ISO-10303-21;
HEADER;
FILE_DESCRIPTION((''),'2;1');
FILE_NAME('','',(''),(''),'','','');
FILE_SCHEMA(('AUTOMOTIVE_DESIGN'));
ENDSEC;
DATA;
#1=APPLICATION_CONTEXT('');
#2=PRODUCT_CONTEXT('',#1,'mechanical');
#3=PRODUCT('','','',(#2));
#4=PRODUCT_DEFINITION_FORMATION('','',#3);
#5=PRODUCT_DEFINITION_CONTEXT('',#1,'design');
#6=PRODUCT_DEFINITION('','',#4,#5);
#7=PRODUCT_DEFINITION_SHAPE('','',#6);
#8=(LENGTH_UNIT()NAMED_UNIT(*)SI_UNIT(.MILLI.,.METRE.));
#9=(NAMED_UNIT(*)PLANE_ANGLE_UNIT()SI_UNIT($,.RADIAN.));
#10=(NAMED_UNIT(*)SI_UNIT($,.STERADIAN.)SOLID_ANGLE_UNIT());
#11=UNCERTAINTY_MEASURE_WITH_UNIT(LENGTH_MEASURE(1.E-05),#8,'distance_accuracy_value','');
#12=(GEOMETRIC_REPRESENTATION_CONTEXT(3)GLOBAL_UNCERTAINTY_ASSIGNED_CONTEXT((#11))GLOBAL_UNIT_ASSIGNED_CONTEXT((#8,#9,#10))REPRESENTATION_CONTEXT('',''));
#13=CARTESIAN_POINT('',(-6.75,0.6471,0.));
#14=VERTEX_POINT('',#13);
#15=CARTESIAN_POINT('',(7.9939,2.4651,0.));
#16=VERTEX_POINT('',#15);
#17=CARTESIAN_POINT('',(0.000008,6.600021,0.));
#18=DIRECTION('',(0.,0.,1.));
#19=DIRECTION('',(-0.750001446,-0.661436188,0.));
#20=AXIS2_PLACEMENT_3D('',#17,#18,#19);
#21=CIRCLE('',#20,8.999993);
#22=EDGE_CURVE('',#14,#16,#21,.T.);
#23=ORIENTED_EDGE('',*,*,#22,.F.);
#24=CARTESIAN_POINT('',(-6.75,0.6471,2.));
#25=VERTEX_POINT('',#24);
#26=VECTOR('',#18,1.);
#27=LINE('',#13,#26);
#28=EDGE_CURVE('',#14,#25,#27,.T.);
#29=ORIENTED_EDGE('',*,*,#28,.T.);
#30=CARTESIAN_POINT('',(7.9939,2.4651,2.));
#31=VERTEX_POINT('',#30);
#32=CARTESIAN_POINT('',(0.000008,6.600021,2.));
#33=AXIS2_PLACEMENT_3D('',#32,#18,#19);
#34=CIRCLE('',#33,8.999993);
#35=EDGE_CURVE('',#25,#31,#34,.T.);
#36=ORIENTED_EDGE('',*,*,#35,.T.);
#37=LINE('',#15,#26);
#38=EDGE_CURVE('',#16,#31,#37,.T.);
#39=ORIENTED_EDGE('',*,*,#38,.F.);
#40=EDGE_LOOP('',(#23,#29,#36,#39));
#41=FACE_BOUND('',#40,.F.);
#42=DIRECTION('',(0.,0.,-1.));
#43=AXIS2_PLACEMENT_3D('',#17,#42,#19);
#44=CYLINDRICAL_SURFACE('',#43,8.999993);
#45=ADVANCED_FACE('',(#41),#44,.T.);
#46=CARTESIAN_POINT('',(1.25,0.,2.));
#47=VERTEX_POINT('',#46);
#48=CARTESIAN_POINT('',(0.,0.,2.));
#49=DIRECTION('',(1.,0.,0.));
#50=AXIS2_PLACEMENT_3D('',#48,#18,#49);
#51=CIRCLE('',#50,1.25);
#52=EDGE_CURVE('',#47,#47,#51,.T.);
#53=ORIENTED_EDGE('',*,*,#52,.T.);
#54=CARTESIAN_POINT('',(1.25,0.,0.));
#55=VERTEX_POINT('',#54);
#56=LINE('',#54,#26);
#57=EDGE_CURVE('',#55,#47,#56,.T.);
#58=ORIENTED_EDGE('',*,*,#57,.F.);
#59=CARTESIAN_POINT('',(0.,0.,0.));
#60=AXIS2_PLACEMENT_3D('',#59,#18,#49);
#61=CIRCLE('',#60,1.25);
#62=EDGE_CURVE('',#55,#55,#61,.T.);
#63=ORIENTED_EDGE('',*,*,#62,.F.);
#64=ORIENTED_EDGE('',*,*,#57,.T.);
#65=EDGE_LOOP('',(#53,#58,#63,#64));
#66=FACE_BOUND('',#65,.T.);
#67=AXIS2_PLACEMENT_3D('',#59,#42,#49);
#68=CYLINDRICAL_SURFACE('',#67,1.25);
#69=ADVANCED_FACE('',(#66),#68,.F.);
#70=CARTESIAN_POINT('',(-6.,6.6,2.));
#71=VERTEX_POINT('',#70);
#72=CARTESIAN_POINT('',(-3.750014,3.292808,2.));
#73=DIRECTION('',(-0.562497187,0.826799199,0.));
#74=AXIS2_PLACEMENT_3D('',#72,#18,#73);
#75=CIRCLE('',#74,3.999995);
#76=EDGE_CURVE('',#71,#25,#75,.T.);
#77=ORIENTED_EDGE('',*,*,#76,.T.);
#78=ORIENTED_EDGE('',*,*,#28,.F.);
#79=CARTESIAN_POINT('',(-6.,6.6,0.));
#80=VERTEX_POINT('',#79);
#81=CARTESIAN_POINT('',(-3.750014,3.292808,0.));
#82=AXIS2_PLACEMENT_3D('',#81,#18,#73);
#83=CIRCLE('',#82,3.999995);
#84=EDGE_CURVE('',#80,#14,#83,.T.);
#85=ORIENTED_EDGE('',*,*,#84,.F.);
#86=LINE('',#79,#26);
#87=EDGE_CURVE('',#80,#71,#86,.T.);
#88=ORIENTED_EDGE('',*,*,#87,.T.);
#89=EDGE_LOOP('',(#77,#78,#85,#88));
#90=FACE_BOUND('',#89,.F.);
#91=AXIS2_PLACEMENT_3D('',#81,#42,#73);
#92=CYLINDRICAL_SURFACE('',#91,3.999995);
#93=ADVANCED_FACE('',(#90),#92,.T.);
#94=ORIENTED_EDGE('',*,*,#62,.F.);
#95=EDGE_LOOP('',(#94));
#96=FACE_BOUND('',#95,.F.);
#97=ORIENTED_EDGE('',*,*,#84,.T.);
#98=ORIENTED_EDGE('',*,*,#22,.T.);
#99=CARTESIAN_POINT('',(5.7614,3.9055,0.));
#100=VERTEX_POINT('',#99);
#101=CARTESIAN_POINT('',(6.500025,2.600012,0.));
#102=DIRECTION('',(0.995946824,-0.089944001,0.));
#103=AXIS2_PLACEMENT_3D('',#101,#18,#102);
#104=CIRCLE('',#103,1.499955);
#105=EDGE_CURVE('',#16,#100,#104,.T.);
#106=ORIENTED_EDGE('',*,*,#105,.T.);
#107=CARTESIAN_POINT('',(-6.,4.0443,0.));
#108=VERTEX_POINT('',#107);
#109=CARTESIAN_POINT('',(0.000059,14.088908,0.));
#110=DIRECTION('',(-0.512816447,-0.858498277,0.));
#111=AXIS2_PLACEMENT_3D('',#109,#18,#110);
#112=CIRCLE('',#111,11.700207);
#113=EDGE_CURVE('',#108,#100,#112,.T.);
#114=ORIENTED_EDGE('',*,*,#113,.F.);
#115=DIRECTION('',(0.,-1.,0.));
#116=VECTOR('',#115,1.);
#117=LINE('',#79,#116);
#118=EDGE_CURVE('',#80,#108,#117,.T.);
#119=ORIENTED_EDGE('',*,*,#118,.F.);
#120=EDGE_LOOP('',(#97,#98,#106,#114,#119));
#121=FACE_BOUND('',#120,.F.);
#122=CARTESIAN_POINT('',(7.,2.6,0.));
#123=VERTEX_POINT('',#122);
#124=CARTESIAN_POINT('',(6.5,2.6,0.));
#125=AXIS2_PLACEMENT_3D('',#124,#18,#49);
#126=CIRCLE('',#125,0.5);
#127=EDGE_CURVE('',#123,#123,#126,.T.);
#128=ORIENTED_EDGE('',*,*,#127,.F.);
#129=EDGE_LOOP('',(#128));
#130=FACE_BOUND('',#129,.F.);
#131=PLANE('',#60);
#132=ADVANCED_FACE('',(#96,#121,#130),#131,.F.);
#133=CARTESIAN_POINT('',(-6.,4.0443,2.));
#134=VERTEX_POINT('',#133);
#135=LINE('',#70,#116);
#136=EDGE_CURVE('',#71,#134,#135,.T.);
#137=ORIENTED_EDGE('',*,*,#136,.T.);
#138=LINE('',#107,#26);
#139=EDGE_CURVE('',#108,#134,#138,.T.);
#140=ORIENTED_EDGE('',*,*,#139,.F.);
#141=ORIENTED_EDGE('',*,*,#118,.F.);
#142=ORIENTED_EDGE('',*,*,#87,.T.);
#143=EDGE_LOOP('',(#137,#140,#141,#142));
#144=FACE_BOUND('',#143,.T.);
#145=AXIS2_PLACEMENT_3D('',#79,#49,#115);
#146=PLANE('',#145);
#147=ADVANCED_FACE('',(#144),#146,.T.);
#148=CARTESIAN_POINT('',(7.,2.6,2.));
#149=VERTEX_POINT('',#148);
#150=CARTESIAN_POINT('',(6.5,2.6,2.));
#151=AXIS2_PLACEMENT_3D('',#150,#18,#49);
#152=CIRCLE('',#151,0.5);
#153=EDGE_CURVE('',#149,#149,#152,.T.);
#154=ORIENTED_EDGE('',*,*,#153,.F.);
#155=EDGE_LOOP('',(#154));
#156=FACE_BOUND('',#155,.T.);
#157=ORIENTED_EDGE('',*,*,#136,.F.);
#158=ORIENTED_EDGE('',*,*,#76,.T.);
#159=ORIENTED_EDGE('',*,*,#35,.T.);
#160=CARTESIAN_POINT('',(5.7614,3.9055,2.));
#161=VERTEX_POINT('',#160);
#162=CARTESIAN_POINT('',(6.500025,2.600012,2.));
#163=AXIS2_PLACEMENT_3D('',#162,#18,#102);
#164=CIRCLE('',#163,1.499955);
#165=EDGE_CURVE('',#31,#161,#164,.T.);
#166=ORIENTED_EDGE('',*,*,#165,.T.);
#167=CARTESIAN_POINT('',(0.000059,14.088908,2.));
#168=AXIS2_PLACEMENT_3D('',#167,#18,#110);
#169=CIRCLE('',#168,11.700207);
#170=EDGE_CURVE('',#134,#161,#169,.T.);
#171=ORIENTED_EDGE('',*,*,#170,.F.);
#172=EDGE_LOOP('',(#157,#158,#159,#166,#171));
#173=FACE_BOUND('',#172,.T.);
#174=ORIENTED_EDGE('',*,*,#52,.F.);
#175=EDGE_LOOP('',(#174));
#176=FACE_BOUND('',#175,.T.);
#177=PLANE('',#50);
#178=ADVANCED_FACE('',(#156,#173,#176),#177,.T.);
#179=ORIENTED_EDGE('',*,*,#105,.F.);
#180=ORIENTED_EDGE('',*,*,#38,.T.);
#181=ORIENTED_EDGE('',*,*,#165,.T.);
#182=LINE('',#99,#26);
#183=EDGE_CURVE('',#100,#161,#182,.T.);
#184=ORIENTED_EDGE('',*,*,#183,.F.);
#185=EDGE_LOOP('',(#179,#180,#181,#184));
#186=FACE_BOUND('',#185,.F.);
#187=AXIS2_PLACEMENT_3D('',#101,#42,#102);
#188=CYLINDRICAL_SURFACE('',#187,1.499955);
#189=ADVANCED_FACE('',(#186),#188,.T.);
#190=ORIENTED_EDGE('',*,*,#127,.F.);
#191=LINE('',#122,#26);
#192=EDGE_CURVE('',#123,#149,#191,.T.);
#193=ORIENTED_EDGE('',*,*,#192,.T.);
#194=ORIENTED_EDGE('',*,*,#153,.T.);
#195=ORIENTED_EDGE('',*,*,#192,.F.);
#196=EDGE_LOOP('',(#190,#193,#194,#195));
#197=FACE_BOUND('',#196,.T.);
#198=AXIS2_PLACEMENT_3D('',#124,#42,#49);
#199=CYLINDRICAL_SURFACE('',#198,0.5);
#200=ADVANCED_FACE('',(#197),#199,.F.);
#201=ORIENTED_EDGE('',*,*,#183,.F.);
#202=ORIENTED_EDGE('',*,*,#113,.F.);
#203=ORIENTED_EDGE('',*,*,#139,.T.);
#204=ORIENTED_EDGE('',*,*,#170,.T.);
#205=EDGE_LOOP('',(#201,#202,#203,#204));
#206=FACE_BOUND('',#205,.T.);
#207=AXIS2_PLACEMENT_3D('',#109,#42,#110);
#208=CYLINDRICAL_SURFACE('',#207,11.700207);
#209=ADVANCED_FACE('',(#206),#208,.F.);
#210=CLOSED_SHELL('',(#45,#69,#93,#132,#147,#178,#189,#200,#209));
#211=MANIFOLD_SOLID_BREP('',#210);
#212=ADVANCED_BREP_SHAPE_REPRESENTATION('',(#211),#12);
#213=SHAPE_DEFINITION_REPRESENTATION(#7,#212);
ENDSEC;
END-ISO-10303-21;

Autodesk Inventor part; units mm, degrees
ref_plane "YZ Plane" through (0, 0, 0) normal (1, 0, 0) x (0, 1, 0)
ref_plane "XZ Plane" through (0, 0, 0) normal (0, 1, 0) x (-1, 0, 0)
ref_plane "XY Plane" through (0, 0, 0) normal (0, 0, 1) x (1, 0, 0)
sketch "Sketch1" plane through (0, 0, 0) normal (0, 0, 1) x (1, 0, 0)
  circle A0 centre (0, 0) radius 1.25
  line L0 (-13.143, 0) -> (13.143, 0) construction
  line L1 (0, 15.5803) -> (0, -15.5803) construction
  circle A1 centre (6.5, 2.6) radius 0.5
  arc A2 (7.9939, 2.4651) -> (5.7614, 3.9055) centre (6.5, 2.6) ccw
  arc A3 (-6, 4.0443) -> (5.7614, 3.9055) centre (0, 14.0887) ccw
  line L2 (-6, 6.6) -> (-6, 4.0443)
  arc A4 (-6.75, 0.6471) -> (7.9939, 2.4651) centre (0, 6.6) ccw
  arc A5 (-6, 6.6) -> (-6.021, 0) centre (-3.75, 3.2928) ccw
  dimension "d0" = 2.6
  dimension "d1" = 6.5
  dimension "d2" = 1.5
  dimension "d3" = 1
  dimension "d4" = 2.5
  dimension "d5" = 11.7
  dimension "d6" = 6
  dimension "d7" = 9
  dimension "d8" = 6.6
  dimension "d10" = 6.6
  dimension "d11" = 4
extrude "Extrusion1" add sketch "Sketch1" along normal blind 2
properties part number "Hudson 1-66"
